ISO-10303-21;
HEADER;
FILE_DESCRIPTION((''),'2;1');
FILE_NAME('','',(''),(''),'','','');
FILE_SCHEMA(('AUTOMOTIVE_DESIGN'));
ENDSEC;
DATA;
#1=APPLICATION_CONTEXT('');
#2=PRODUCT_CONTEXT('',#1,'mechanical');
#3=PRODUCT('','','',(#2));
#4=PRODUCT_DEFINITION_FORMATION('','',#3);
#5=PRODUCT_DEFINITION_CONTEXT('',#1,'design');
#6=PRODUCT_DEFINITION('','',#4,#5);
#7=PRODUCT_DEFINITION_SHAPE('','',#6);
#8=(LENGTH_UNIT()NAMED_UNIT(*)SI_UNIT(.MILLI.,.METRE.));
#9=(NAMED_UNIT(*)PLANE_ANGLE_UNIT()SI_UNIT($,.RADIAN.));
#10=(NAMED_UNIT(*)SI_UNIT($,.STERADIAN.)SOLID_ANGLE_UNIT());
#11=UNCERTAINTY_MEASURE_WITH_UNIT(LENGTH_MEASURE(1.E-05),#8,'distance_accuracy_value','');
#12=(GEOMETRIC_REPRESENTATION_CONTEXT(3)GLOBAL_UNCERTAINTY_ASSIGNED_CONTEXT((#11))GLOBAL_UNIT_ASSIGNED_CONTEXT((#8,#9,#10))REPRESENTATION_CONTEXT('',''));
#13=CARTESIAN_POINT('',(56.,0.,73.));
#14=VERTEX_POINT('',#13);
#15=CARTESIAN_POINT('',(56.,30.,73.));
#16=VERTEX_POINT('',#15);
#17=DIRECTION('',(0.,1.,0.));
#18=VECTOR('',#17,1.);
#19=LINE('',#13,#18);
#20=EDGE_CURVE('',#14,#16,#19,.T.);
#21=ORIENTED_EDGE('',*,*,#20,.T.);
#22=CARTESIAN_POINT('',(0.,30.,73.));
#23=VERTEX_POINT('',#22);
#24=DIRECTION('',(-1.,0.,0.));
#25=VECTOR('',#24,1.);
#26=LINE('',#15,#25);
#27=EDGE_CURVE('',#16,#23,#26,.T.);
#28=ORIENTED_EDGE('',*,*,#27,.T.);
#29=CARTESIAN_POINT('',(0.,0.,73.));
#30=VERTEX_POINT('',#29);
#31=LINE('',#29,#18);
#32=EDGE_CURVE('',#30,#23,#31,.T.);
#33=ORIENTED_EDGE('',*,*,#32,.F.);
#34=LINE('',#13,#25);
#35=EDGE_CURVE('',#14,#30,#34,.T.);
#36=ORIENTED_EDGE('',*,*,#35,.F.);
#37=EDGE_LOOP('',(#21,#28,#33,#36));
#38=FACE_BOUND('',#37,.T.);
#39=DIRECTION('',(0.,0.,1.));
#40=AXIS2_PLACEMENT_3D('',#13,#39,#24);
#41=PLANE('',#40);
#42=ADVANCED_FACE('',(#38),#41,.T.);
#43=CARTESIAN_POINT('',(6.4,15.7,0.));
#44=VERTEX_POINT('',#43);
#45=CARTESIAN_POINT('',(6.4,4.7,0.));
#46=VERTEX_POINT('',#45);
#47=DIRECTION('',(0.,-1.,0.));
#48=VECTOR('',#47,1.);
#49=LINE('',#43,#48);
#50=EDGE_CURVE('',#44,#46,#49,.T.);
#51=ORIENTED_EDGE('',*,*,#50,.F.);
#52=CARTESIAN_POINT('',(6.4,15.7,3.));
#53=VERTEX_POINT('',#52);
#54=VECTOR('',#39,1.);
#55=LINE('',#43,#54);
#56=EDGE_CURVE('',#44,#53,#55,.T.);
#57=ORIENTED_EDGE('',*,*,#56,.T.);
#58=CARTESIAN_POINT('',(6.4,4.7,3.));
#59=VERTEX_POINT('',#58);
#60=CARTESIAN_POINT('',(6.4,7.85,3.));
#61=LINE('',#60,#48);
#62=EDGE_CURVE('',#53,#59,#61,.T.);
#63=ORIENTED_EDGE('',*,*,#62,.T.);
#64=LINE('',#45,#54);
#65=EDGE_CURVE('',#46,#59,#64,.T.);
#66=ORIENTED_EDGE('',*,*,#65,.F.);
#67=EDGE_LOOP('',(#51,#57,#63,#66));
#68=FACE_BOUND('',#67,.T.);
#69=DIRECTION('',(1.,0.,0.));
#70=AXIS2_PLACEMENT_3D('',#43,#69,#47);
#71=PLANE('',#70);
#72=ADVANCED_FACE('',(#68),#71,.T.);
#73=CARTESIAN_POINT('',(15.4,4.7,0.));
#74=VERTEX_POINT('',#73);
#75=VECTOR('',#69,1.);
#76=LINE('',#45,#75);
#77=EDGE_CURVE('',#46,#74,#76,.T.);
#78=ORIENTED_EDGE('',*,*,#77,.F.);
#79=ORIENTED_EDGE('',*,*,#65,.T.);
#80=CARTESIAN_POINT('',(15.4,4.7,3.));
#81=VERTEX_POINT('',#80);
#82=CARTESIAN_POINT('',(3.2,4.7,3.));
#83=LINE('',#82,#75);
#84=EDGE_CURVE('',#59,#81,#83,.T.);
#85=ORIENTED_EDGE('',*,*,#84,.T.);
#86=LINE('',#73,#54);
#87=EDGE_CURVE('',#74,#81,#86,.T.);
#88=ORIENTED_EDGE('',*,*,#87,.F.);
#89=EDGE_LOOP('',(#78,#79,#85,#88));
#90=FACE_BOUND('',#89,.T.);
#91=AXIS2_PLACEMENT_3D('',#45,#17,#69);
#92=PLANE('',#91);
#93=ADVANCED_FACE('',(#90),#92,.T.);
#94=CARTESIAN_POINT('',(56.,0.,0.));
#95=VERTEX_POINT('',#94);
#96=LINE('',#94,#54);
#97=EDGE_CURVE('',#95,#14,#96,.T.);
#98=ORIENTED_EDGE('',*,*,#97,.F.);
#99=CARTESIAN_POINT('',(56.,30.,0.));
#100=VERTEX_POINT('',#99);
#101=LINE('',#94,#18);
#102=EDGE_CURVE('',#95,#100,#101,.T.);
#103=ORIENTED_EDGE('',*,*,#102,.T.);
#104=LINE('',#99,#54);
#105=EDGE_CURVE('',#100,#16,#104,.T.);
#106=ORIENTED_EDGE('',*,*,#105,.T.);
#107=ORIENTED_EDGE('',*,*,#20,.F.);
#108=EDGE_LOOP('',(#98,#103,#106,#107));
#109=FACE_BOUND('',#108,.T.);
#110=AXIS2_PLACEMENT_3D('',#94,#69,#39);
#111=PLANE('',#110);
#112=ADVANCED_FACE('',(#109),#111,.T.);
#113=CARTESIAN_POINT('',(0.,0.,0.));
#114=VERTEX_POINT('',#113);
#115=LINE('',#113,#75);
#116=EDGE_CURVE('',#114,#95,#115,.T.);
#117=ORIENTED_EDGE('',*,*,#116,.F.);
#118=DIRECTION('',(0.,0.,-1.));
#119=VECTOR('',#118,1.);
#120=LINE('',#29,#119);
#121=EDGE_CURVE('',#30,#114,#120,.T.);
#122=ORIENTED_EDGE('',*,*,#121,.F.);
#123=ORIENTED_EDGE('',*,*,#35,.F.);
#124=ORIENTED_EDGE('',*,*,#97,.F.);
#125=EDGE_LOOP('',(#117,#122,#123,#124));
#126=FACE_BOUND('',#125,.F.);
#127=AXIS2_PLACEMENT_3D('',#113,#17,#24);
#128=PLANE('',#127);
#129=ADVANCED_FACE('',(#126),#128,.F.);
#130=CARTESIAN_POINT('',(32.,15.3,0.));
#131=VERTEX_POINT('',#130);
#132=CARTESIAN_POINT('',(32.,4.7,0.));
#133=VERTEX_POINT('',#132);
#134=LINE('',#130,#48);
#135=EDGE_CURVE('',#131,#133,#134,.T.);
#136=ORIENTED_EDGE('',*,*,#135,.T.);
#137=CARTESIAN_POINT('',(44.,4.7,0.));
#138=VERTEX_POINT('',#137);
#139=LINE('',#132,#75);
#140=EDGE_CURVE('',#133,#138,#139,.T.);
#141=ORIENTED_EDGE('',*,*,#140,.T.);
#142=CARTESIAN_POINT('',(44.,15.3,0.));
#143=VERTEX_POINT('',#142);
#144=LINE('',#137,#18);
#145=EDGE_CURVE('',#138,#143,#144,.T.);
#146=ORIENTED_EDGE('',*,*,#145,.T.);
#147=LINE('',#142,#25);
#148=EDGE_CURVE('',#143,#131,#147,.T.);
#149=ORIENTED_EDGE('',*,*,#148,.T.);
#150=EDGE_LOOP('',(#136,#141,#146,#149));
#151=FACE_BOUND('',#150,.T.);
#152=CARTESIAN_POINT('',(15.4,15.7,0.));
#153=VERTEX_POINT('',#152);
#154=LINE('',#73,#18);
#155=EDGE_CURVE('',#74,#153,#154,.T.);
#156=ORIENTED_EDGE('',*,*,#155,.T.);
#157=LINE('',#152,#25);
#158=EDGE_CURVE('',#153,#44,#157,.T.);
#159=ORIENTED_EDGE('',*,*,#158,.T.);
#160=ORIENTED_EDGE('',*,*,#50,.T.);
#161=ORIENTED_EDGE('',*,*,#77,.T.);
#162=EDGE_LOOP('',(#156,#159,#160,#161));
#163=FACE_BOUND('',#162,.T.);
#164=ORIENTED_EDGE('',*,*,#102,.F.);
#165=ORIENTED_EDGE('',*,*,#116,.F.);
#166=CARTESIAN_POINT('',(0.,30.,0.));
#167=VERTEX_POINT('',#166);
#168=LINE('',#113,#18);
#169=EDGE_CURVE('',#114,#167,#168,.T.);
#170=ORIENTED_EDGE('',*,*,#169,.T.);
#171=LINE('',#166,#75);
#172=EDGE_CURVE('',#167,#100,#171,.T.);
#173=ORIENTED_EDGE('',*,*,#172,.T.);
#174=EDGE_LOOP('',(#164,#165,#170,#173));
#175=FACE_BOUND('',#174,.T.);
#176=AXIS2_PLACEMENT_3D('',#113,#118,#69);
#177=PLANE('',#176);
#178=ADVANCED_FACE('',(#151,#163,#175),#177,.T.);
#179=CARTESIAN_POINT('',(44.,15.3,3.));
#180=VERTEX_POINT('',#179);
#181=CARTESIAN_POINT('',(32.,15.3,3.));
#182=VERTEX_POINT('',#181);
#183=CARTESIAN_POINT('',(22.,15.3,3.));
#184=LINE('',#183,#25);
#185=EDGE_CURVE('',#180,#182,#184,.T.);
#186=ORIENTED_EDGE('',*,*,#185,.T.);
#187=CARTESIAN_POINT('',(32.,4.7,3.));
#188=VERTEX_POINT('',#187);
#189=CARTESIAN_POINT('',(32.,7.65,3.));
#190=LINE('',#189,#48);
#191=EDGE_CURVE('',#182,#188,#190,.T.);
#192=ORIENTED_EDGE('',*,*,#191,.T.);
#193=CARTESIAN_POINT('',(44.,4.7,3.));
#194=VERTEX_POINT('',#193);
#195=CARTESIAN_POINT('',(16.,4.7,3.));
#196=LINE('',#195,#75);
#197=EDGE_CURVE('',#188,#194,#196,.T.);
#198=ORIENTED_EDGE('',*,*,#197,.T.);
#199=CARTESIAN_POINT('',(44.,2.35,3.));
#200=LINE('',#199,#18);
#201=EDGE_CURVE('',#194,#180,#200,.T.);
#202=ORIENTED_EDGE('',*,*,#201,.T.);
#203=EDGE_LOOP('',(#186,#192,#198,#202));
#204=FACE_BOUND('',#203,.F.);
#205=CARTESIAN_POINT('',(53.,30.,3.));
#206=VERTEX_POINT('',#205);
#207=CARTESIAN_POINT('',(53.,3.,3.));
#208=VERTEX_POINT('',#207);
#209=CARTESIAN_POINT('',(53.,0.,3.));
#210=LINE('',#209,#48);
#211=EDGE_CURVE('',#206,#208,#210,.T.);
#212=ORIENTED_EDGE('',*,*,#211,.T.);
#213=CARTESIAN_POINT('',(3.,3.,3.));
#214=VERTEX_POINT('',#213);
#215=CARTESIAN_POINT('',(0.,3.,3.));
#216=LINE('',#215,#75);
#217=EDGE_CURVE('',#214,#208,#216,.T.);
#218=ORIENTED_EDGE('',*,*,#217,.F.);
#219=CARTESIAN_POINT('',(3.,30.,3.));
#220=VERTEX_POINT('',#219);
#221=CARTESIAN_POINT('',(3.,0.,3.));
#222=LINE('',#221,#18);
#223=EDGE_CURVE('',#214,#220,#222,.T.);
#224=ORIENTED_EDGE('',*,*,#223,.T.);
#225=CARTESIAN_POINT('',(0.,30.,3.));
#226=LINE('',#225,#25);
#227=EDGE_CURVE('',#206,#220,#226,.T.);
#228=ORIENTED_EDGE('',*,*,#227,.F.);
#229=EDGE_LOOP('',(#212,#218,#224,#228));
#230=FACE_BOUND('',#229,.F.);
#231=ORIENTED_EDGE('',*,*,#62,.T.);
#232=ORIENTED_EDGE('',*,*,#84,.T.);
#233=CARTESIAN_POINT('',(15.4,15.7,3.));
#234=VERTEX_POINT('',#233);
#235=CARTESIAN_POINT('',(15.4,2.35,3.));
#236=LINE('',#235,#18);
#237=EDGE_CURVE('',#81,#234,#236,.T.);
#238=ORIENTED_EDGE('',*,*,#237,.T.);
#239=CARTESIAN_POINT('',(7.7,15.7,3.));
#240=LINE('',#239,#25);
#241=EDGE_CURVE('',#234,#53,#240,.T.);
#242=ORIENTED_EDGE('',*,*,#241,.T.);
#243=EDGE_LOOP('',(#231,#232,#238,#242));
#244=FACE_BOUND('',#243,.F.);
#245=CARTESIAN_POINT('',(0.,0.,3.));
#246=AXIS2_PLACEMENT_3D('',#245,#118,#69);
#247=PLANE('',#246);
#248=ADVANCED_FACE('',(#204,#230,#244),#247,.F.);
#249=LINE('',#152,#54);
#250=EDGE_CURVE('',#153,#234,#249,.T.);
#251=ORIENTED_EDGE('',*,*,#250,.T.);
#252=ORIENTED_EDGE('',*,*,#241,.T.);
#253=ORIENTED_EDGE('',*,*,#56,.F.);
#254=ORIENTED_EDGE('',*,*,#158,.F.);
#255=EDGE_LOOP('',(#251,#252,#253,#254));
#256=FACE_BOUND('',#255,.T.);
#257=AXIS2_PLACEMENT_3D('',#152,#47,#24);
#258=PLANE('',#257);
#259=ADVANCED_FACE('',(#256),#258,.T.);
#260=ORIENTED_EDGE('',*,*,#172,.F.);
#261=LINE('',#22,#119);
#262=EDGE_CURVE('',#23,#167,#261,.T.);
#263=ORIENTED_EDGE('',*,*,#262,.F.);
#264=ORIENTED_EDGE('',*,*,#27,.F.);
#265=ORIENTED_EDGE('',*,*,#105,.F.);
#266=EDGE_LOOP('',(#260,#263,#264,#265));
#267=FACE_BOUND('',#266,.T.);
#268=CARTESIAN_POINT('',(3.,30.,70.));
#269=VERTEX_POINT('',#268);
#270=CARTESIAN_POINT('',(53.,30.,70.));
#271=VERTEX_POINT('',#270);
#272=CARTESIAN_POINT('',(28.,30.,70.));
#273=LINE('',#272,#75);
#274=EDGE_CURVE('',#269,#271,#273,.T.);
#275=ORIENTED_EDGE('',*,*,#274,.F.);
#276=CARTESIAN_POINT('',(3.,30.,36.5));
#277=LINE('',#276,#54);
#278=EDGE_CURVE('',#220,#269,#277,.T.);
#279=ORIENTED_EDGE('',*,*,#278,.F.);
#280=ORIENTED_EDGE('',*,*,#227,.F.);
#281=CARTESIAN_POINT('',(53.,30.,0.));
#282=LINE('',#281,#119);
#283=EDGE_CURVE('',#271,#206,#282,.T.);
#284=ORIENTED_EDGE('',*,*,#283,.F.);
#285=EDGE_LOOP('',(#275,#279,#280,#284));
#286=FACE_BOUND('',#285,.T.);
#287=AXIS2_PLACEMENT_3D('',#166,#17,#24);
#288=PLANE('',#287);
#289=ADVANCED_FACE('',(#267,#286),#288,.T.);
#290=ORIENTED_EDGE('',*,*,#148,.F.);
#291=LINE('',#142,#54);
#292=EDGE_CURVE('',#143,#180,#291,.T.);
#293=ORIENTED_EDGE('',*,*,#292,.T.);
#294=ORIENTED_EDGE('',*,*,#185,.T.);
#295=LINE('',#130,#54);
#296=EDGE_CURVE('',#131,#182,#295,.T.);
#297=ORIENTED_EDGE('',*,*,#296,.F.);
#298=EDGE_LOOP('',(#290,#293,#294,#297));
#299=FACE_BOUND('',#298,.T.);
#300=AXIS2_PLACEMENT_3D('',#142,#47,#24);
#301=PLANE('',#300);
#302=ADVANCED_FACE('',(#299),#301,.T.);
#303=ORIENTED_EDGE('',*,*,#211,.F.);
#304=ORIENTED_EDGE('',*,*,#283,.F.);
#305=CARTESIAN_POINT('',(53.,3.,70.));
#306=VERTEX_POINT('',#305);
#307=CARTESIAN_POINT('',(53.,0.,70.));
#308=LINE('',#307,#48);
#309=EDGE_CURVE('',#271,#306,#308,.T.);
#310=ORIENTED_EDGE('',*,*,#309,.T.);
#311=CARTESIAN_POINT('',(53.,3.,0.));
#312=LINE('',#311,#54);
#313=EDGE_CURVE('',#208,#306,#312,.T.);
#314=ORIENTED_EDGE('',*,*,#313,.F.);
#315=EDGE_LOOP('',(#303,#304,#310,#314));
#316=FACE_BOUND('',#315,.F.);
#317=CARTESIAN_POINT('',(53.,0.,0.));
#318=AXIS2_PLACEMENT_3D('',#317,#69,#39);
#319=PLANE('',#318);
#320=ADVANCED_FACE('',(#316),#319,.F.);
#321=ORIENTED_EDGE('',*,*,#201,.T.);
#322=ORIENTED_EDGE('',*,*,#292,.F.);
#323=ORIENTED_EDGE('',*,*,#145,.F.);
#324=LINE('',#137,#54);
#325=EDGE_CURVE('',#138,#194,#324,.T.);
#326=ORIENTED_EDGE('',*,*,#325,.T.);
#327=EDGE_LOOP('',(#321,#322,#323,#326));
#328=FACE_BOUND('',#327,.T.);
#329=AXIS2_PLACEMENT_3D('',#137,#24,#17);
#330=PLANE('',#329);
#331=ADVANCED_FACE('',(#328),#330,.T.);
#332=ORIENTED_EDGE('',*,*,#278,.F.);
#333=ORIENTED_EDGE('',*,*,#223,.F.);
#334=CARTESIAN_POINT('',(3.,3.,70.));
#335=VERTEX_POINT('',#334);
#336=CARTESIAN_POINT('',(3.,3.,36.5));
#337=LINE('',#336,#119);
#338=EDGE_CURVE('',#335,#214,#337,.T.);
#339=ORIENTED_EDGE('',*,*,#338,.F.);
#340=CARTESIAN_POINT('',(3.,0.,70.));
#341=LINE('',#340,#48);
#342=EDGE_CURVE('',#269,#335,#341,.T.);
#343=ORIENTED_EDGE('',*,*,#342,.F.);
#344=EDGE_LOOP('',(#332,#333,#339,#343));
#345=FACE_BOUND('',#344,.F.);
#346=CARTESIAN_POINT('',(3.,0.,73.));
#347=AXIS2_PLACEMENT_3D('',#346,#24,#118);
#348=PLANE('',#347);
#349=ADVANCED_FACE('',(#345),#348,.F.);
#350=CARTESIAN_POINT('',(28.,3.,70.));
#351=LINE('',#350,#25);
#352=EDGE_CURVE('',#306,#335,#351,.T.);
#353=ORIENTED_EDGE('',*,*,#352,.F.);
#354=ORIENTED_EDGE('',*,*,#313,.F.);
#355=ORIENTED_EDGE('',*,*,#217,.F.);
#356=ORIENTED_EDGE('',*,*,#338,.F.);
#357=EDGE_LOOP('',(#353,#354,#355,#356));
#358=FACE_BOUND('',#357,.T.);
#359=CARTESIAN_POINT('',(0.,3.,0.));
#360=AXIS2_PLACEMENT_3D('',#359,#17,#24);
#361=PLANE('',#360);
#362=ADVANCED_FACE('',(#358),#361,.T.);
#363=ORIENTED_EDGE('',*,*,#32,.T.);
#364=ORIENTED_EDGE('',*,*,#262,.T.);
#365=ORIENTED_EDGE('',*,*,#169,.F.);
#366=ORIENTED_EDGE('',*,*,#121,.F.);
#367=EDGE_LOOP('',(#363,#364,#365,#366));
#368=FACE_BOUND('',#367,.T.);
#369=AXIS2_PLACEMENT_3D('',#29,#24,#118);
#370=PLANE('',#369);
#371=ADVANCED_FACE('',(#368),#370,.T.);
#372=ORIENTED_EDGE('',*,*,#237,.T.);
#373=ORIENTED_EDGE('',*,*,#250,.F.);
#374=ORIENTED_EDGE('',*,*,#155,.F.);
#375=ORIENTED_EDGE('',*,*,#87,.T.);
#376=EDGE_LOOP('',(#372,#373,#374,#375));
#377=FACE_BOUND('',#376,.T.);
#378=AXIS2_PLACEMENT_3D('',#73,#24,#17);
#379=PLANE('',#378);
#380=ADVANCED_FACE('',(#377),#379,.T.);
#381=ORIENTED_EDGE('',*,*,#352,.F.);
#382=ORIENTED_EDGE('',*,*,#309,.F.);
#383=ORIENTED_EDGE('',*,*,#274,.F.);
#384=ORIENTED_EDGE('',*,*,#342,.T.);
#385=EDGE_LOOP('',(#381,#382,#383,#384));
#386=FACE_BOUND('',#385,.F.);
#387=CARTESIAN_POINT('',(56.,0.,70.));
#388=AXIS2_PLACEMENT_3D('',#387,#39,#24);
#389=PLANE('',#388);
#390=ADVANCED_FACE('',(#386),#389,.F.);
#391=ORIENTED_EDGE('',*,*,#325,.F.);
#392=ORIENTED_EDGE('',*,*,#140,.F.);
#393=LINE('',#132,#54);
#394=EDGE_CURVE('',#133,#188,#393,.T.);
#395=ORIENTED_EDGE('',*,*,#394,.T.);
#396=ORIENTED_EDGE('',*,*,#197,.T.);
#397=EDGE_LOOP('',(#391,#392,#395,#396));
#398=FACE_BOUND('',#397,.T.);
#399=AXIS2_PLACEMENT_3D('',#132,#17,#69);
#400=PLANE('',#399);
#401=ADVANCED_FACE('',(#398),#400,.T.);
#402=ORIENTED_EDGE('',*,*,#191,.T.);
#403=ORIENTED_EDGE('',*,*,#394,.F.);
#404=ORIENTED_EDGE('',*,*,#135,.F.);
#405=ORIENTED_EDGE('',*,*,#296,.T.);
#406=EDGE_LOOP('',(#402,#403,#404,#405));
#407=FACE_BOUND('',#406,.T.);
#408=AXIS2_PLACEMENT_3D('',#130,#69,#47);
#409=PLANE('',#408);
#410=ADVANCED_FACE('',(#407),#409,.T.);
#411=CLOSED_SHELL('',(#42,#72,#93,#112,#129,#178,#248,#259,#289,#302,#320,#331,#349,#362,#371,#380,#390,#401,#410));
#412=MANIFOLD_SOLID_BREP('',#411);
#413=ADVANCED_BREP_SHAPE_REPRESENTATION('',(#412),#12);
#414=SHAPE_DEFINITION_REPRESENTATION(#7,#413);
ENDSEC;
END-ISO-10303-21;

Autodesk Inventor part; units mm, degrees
ref_plane "YZ Plane" through (0, 0, 0) normal (1, 0, 0) x (0, 1, 0)
ref_plane "XZ Plane" through (0, 0, 0) normal (0, 1, 0) x (-1, 0, 0)
ref_plane "XY Plane" through (0, 0, 0) normal (0, 0, 1) x (1, 0, 0)
sketch "Sketch2" plane through (0, 0, 0) normal (0, 1, 0) x (-1, 0, 0)
  line L0 (0, 0) -> (-56, 0)
  line L1 (-56, 0) -> (-56, 73)
  line L2 (-56, 73) -> (0, 73)
  line L3 (0, 73) -> (0, 0)
  dimension "d0" = 56
  dimension "d1" = 73
extrude "Extrusion1" add sketch "Sketch2" along normal blind 30
shell "Shell1" thickness 3 removed faces 1 at (18.6667, 30, 24.3333)
sketch "Sketch3" plane through (56, 0, 0) normal (0, 0, -1) x (-1, 0, 0)
  line L0 (12, 15.3) -> (24, 15.3)
  line L1 (24, 15.3) -> (24, 4.7)
  line L2 (24, 4.7) -> (12, 4.7)
  line L3 (12, 4.7) -> (12, 15.3)
  line L4 (0, 0) -> (0, 30) projected
  line L5 (0, 0) -> (56, 0) projected
  line L6 (40.6, 15.7) -> (49.6, 15.7)
  line L7 (49.6, 15.7) -> (49.6, 4.7)
  line L8 (49.6, 4.7) -> (40.6, 4.7)
  line L9 (40.6, 4.7) -> (40.6, 15.7)
  line L10 (56, 0) -> (56, 30) projected
  dimension "d5" = 12
  dimension "d6" = 4.7
  dimension "d7" = 12
  dimension "d8" = 10.6
  dimension "d9" = 6.4
  dimension "d10" = 9
  dimension "d11" = 11
  dimension "d12" = 4.7
extrude "Extrusion2" cut sketch "Sketch3" against normal blind 30
equation "\"d12\" = d6"
properties part number "arduino array box v01"
